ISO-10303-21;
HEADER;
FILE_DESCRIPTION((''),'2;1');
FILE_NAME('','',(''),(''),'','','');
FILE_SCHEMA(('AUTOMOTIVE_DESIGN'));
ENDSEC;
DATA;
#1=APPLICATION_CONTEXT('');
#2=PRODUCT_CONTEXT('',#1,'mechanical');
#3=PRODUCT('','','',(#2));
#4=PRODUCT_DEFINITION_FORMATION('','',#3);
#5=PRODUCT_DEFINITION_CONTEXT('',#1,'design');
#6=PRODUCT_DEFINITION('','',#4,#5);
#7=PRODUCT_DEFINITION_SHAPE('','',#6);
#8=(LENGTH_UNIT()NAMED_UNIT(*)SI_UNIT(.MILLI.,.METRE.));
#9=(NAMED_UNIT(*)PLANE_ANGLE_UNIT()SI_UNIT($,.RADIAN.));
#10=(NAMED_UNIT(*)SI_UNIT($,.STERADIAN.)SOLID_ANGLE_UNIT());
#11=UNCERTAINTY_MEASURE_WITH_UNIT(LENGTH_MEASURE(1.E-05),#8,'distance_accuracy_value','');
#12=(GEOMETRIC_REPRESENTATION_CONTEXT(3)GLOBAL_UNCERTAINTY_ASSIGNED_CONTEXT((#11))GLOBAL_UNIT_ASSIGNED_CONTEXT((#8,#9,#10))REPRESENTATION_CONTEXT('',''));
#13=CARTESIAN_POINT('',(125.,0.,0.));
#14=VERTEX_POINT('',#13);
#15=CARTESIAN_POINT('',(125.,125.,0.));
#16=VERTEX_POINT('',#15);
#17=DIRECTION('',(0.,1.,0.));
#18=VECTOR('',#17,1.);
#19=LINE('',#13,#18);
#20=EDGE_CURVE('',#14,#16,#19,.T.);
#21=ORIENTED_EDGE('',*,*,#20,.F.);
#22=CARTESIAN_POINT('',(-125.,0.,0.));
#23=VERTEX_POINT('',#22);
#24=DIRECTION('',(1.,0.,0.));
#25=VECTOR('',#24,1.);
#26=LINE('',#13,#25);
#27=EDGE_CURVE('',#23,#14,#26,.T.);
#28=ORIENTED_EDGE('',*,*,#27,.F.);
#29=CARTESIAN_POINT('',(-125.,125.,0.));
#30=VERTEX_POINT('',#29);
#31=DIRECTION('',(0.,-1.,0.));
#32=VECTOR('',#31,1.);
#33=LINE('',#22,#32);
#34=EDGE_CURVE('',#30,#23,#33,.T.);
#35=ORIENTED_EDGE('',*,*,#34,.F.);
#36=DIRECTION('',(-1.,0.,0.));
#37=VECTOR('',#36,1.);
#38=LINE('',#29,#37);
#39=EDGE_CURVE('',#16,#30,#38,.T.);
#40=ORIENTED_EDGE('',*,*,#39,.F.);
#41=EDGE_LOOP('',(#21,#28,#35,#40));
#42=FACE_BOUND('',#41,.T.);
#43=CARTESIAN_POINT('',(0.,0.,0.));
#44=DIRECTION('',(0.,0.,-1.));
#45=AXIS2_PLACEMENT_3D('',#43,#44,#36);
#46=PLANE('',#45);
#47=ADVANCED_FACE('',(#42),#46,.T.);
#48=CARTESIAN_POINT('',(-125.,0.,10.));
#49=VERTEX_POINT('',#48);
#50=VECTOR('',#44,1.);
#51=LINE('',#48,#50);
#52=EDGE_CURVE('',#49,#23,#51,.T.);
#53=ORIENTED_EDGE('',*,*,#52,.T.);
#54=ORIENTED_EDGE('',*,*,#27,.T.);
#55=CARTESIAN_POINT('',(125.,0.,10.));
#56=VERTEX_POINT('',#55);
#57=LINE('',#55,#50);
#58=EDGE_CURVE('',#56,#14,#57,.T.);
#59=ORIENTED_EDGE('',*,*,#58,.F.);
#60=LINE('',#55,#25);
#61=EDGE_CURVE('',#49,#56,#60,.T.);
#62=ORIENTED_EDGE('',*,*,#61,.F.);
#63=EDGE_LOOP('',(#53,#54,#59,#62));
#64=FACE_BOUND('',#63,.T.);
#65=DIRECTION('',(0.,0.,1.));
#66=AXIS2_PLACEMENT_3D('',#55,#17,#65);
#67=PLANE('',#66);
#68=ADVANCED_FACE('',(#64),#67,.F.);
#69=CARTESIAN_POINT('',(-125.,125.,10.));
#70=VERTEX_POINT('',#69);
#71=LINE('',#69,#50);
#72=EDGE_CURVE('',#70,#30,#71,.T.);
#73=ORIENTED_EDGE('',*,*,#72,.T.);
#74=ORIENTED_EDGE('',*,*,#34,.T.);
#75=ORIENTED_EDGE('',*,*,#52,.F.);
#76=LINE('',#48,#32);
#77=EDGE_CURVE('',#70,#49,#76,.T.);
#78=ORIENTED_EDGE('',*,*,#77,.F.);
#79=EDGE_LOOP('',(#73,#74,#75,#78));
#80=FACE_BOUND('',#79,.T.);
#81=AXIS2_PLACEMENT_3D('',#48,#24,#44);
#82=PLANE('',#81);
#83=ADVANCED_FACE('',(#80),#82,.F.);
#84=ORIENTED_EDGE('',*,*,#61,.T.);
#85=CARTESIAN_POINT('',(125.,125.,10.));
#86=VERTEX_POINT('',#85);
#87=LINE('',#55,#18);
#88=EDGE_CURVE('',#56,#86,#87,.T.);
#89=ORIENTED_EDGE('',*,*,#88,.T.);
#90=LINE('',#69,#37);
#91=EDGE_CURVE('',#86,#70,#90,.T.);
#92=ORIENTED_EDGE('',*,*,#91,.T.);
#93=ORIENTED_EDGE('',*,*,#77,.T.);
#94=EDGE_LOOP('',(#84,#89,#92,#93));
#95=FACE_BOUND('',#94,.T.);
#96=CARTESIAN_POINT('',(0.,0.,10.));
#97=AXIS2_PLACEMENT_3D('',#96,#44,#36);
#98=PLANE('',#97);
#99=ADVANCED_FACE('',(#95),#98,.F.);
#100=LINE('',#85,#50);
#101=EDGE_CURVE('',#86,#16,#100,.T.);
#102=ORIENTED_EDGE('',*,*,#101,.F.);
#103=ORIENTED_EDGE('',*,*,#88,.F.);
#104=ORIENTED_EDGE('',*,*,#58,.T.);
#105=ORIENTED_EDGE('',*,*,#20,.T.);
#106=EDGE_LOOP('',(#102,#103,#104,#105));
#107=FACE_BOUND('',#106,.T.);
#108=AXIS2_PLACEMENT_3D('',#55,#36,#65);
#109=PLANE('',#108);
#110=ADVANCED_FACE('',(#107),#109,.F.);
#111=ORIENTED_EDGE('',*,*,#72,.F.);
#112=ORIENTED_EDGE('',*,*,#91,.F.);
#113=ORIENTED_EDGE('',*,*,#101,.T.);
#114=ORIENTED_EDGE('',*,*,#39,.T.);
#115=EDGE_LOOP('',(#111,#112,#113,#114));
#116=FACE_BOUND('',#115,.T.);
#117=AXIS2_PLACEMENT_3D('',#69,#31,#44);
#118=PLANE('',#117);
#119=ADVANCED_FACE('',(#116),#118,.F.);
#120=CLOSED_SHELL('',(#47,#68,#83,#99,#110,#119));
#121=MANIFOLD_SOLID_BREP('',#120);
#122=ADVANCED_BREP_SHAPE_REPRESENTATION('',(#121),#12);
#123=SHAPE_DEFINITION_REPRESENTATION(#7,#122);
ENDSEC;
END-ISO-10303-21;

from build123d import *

# Parameters (mm, degrees)
ESBO_O1_W                = 250
ESBO_O1_H                = 125
RESSALTO_EXTRUS_O1_DEPTH = 10


with BuildPart() as part:
    # Esboço1 → Ressalto-extrusão1 (new body)
    with BuildSketch(Plane.XY):
        with Locations((0, 62.5)):
            Rectangle(ESBO_O1_W, ESBO_O1_H)
    extrude(amount=RESSALTO_EXTRUS_O1_DEPTH)


solid = part.part
